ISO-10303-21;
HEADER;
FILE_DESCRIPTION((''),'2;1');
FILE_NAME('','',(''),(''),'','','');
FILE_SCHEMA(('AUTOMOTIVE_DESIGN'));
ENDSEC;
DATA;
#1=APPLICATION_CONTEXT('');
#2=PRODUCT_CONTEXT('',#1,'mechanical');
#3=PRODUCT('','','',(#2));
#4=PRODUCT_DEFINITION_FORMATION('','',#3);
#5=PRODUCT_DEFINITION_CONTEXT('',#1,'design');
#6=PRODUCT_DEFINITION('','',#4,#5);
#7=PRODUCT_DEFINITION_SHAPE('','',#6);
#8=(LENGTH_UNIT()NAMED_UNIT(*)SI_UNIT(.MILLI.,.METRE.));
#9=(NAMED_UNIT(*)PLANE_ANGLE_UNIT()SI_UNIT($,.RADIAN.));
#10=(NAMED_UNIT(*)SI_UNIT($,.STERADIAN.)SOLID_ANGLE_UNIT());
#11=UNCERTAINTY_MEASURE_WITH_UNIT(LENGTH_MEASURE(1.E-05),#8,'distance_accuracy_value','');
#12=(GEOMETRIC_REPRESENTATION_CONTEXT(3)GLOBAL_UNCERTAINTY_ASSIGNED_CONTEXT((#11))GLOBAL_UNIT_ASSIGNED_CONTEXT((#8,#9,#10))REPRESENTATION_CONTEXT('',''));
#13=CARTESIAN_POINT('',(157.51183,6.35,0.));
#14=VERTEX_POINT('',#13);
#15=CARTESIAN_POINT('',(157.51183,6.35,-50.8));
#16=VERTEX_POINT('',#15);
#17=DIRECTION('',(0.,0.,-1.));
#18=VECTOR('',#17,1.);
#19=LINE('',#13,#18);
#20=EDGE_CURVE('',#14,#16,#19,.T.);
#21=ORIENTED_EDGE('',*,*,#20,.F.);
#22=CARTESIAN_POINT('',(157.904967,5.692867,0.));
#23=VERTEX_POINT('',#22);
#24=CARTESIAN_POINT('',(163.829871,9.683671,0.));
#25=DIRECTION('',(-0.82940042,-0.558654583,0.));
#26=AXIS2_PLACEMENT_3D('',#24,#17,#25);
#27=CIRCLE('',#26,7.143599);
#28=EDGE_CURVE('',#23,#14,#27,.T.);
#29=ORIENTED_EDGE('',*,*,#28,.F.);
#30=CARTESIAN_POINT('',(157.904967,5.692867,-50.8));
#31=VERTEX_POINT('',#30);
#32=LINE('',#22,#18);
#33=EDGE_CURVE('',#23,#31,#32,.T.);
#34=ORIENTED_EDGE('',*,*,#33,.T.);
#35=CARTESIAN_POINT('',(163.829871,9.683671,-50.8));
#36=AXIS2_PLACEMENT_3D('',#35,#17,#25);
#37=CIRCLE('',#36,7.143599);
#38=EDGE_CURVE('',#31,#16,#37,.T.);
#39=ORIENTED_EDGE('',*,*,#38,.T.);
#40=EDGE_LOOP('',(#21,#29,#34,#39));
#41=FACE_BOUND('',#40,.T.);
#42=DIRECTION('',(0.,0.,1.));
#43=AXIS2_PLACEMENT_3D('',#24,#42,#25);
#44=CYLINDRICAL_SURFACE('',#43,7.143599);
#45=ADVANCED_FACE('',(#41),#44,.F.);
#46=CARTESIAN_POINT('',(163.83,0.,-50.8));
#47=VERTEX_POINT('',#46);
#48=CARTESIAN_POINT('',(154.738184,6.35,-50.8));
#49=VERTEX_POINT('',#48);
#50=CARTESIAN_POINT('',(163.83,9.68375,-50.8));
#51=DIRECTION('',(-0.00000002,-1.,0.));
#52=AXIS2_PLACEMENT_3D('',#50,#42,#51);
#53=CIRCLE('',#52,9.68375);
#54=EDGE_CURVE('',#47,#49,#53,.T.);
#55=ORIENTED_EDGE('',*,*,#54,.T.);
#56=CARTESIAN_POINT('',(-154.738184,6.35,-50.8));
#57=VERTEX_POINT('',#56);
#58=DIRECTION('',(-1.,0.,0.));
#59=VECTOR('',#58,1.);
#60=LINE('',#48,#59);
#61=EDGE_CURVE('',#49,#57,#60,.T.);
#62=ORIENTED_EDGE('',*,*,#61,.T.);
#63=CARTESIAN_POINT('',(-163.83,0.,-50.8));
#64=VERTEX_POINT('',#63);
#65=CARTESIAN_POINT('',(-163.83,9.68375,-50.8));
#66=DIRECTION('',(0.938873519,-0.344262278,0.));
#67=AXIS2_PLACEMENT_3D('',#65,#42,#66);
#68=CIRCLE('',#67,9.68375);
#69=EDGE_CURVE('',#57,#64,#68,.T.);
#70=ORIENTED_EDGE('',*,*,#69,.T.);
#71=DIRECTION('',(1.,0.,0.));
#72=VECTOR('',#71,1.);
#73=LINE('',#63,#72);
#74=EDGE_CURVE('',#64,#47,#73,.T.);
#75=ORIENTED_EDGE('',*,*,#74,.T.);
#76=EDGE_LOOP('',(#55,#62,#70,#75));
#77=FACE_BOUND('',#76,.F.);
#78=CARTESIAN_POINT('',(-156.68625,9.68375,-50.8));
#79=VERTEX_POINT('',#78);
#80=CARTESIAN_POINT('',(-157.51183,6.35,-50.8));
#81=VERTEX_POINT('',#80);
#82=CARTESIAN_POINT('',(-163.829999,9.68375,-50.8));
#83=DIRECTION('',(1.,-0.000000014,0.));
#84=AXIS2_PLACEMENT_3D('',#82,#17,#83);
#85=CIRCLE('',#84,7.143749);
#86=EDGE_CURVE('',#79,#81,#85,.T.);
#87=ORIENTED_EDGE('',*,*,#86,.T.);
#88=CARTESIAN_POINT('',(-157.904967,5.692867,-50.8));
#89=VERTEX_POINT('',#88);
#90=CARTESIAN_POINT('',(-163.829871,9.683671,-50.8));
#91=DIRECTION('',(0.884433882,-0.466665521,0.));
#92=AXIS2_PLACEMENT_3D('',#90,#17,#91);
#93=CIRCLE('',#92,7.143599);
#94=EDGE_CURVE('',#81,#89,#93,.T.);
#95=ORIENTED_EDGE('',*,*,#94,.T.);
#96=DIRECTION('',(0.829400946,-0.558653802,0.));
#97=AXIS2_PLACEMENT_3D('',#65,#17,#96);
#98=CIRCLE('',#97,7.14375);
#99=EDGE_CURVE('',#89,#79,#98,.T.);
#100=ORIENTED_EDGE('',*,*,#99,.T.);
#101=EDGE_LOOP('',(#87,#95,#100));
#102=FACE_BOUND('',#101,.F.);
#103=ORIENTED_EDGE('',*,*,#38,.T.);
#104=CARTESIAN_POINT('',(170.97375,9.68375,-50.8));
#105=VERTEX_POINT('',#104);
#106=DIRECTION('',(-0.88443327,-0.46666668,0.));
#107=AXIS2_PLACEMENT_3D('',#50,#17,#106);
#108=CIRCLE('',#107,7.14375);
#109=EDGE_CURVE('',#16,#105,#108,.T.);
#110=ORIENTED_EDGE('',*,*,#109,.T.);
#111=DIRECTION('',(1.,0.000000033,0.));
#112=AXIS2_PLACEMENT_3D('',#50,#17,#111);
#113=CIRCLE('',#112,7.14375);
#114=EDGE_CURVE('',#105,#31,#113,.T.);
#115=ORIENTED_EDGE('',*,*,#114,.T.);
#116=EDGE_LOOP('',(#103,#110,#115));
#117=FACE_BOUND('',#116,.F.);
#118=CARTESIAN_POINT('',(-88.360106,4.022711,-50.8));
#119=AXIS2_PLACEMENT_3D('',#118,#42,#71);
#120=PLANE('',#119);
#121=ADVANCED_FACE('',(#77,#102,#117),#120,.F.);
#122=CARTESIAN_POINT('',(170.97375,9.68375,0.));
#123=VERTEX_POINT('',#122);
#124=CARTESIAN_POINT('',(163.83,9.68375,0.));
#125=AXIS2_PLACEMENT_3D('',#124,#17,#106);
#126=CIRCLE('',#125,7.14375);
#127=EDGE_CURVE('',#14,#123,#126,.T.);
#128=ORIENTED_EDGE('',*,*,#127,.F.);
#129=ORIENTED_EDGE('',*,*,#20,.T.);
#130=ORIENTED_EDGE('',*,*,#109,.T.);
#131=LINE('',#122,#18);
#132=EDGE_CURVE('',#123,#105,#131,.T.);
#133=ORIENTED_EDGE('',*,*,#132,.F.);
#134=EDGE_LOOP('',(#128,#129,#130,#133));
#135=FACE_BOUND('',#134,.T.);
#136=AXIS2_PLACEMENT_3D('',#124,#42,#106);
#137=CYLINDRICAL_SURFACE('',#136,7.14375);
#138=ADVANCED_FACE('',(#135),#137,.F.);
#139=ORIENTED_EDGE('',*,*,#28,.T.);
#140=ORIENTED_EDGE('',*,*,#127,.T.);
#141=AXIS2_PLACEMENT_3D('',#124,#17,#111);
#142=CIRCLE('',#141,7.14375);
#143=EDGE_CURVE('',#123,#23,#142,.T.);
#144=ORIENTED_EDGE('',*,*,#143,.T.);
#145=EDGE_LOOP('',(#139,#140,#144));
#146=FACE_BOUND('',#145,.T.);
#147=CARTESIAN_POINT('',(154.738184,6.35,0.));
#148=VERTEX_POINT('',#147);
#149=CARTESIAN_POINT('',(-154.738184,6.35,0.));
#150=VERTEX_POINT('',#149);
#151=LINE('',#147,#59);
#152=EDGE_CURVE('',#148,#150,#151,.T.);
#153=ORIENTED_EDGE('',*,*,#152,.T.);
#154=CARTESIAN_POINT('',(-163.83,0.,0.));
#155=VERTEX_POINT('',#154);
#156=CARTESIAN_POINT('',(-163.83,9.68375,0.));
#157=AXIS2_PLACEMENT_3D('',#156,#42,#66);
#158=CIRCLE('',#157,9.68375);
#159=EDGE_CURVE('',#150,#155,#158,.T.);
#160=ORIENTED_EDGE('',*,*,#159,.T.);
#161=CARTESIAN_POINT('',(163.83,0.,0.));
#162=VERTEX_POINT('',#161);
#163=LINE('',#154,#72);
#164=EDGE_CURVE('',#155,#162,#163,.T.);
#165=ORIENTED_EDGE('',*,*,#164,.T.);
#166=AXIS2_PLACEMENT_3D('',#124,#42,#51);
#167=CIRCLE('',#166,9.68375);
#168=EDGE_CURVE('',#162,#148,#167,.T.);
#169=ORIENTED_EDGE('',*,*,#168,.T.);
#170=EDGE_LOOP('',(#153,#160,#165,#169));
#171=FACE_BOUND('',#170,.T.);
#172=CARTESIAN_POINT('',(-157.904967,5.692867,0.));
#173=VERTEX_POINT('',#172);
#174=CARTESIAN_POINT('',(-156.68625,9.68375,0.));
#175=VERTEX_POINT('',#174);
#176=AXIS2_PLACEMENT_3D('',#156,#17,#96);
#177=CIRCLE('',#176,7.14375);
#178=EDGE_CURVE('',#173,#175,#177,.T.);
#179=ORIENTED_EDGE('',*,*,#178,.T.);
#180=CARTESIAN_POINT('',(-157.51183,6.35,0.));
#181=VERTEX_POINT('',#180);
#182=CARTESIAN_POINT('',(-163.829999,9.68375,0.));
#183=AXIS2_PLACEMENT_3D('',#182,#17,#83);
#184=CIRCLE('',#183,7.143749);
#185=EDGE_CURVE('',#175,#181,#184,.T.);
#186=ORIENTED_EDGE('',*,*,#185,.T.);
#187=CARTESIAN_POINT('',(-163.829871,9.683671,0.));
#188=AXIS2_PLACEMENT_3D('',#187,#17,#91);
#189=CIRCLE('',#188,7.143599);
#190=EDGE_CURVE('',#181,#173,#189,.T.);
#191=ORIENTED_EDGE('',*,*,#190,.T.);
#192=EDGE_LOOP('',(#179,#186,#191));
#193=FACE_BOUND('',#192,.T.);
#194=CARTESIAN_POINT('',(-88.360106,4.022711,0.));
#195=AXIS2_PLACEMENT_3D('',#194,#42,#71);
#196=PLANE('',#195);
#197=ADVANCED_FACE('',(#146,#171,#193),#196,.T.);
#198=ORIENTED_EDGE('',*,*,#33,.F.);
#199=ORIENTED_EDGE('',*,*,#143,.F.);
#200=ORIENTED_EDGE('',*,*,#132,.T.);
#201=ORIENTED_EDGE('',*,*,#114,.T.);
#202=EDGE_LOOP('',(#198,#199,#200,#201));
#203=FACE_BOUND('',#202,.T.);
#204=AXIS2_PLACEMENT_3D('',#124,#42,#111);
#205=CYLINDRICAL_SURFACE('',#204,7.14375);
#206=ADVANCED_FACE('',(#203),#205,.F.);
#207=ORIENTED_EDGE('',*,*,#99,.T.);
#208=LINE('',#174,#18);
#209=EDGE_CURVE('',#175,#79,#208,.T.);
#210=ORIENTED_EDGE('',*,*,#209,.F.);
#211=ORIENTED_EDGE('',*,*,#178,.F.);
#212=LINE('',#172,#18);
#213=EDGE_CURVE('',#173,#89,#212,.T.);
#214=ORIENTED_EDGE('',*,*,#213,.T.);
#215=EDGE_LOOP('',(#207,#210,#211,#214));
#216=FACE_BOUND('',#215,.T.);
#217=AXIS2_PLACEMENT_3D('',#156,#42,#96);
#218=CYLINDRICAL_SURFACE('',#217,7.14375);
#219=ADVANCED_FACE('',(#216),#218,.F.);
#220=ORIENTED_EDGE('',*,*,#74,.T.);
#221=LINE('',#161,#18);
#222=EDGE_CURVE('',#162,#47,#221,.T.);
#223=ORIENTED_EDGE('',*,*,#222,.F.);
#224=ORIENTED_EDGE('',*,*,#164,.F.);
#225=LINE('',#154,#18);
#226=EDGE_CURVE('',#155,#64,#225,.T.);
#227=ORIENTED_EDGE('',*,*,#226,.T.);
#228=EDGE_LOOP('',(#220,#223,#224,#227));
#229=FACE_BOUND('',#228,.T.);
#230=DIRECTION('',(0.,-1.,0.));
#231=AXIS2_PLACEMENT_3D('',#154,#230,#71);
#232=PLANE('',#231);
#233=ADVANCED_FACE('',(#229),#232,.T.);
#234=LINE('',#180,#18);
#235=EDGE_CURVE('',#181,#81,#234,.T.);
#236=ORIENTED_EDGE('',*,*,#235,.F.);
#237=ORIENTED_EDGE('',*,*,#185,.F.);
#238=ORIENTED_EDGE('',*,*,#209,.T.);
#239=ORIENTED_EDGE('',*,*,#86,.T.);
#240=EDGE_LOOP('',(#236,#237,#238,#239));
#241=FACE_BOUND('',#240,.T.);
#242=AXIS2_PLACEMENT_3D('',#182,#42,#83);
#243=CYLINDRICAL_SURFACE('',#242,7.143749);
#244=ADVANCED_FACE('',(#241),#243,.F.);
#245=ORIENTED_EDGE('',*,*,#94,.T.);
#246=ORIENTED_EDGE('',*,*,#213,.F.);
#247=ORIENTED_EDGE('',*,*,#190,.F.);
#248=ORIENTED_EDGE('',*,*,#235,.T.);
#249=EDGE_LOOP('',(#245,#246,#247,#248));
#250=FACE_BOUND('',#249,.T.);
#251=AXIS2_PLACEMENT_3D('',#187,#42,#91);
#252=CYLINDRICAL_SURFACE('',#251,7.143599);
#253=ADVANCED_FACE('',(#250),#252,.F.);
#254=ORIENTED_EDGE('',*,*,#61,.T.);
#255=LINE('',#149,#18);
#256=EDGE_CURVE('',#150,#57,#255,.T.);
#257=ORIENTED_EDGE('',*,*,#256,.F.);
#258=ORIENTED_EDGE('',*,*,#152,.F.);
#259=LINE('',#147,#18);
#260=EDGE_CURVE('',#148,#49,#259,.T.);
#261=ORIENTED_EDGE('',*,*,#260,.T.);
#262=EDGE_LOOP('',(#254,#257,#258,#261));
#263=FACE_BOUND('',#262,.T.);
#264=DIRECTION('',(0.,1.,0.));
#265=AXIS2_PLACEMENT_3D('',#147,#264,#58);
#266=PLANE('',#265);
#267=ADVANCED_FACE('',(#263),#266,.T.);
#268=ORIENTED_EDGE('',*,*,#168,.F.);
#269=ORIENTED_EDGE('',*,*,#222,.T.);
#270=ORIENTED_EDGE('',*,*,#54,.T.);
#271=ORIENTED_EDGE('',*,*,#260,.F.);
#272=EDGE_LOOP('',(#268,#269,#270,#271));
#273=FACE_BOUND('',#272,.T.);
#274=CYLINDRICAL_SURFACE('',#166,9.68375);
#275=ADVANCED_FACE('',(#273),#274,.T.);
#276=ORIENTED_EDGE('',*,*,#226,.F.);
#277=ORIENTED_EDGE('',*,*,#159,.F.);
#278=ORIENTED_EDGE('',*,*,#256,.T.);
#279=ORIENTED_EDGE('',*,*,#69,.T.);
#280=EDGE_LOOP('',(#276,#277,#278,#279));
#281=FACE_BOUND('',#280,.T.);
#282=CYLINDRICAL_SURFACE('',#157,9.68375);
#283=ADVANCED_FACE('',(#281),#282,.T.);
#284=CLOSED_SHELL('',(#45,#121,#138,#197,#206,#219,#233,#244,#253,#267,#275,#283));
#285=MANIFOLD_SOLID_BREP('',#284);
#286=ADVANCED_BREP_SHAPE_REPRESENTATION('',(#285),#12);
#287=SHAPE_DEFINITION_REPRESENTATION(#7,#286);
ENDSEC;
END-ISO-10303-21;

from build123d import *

# Parameters (mm, degrees)
F1_DEPTH = 50.8


with BuildPart() as f1:
    # F0 (on Top) → F1 (new body)
    with BuildSketch(Plane.XY):
        with BuildLine():
            Line((-156.111803, 0), (0, 0))
            Line((0, 0), (0, 6.35))
            Line((0, 6.35), (-154.738184, 6.35))
            ThreePointArc((-154.738184, 6.35), (-169.374899, 17.622837), (-163.83, 0))
            Line((-163.83, 0), (-156.111803, 0))
        make_face()
        with BuildLine():
            ThreePointArc((-157.904967, 5.692867), (-170.662281, 11.770159), (-156.68625, 9.68375))
            ThreePointArc((-156.68625, 9.68375), (-156.895716, 7.966523), (-157.51183, 6.35))
            ThreePointArc((-157.51183, 6.35), (-157.699587, 6.016162), (-157.904967, 5.692867))
        make_face(mode=Mode.SUBTRACT)
        with BuildLine():
            Line((0, 6.35), (0, 0))
            Line((0, 0), (156.111803, 0))
            Line((156.111803, 0), (163.83, 0))
            ThreePointArc((163.83, 0), (169.374899, 17.622837), (154.738184, 6.35))
            Line((154.738184, 6.35), (0, 6.35))
        make_face()
        with BuildLine():
            ThreePointArc((170.97375, 9.68375), (165.916409, 2.851469), (157.904967, 5.692867))
            ThreePointArc((157.904967, 5.692867), (157.699587, 6.016162), (157.51183, 6.35))
            ThreePointArc((157.51183, 6.35), (162.112773, 16.618034), (170.97375, 9.68375))
        make_face(mode=Mode.SUBTRACT)
    extrude(amount=-F1_DEPTH)


solid = f1.part
